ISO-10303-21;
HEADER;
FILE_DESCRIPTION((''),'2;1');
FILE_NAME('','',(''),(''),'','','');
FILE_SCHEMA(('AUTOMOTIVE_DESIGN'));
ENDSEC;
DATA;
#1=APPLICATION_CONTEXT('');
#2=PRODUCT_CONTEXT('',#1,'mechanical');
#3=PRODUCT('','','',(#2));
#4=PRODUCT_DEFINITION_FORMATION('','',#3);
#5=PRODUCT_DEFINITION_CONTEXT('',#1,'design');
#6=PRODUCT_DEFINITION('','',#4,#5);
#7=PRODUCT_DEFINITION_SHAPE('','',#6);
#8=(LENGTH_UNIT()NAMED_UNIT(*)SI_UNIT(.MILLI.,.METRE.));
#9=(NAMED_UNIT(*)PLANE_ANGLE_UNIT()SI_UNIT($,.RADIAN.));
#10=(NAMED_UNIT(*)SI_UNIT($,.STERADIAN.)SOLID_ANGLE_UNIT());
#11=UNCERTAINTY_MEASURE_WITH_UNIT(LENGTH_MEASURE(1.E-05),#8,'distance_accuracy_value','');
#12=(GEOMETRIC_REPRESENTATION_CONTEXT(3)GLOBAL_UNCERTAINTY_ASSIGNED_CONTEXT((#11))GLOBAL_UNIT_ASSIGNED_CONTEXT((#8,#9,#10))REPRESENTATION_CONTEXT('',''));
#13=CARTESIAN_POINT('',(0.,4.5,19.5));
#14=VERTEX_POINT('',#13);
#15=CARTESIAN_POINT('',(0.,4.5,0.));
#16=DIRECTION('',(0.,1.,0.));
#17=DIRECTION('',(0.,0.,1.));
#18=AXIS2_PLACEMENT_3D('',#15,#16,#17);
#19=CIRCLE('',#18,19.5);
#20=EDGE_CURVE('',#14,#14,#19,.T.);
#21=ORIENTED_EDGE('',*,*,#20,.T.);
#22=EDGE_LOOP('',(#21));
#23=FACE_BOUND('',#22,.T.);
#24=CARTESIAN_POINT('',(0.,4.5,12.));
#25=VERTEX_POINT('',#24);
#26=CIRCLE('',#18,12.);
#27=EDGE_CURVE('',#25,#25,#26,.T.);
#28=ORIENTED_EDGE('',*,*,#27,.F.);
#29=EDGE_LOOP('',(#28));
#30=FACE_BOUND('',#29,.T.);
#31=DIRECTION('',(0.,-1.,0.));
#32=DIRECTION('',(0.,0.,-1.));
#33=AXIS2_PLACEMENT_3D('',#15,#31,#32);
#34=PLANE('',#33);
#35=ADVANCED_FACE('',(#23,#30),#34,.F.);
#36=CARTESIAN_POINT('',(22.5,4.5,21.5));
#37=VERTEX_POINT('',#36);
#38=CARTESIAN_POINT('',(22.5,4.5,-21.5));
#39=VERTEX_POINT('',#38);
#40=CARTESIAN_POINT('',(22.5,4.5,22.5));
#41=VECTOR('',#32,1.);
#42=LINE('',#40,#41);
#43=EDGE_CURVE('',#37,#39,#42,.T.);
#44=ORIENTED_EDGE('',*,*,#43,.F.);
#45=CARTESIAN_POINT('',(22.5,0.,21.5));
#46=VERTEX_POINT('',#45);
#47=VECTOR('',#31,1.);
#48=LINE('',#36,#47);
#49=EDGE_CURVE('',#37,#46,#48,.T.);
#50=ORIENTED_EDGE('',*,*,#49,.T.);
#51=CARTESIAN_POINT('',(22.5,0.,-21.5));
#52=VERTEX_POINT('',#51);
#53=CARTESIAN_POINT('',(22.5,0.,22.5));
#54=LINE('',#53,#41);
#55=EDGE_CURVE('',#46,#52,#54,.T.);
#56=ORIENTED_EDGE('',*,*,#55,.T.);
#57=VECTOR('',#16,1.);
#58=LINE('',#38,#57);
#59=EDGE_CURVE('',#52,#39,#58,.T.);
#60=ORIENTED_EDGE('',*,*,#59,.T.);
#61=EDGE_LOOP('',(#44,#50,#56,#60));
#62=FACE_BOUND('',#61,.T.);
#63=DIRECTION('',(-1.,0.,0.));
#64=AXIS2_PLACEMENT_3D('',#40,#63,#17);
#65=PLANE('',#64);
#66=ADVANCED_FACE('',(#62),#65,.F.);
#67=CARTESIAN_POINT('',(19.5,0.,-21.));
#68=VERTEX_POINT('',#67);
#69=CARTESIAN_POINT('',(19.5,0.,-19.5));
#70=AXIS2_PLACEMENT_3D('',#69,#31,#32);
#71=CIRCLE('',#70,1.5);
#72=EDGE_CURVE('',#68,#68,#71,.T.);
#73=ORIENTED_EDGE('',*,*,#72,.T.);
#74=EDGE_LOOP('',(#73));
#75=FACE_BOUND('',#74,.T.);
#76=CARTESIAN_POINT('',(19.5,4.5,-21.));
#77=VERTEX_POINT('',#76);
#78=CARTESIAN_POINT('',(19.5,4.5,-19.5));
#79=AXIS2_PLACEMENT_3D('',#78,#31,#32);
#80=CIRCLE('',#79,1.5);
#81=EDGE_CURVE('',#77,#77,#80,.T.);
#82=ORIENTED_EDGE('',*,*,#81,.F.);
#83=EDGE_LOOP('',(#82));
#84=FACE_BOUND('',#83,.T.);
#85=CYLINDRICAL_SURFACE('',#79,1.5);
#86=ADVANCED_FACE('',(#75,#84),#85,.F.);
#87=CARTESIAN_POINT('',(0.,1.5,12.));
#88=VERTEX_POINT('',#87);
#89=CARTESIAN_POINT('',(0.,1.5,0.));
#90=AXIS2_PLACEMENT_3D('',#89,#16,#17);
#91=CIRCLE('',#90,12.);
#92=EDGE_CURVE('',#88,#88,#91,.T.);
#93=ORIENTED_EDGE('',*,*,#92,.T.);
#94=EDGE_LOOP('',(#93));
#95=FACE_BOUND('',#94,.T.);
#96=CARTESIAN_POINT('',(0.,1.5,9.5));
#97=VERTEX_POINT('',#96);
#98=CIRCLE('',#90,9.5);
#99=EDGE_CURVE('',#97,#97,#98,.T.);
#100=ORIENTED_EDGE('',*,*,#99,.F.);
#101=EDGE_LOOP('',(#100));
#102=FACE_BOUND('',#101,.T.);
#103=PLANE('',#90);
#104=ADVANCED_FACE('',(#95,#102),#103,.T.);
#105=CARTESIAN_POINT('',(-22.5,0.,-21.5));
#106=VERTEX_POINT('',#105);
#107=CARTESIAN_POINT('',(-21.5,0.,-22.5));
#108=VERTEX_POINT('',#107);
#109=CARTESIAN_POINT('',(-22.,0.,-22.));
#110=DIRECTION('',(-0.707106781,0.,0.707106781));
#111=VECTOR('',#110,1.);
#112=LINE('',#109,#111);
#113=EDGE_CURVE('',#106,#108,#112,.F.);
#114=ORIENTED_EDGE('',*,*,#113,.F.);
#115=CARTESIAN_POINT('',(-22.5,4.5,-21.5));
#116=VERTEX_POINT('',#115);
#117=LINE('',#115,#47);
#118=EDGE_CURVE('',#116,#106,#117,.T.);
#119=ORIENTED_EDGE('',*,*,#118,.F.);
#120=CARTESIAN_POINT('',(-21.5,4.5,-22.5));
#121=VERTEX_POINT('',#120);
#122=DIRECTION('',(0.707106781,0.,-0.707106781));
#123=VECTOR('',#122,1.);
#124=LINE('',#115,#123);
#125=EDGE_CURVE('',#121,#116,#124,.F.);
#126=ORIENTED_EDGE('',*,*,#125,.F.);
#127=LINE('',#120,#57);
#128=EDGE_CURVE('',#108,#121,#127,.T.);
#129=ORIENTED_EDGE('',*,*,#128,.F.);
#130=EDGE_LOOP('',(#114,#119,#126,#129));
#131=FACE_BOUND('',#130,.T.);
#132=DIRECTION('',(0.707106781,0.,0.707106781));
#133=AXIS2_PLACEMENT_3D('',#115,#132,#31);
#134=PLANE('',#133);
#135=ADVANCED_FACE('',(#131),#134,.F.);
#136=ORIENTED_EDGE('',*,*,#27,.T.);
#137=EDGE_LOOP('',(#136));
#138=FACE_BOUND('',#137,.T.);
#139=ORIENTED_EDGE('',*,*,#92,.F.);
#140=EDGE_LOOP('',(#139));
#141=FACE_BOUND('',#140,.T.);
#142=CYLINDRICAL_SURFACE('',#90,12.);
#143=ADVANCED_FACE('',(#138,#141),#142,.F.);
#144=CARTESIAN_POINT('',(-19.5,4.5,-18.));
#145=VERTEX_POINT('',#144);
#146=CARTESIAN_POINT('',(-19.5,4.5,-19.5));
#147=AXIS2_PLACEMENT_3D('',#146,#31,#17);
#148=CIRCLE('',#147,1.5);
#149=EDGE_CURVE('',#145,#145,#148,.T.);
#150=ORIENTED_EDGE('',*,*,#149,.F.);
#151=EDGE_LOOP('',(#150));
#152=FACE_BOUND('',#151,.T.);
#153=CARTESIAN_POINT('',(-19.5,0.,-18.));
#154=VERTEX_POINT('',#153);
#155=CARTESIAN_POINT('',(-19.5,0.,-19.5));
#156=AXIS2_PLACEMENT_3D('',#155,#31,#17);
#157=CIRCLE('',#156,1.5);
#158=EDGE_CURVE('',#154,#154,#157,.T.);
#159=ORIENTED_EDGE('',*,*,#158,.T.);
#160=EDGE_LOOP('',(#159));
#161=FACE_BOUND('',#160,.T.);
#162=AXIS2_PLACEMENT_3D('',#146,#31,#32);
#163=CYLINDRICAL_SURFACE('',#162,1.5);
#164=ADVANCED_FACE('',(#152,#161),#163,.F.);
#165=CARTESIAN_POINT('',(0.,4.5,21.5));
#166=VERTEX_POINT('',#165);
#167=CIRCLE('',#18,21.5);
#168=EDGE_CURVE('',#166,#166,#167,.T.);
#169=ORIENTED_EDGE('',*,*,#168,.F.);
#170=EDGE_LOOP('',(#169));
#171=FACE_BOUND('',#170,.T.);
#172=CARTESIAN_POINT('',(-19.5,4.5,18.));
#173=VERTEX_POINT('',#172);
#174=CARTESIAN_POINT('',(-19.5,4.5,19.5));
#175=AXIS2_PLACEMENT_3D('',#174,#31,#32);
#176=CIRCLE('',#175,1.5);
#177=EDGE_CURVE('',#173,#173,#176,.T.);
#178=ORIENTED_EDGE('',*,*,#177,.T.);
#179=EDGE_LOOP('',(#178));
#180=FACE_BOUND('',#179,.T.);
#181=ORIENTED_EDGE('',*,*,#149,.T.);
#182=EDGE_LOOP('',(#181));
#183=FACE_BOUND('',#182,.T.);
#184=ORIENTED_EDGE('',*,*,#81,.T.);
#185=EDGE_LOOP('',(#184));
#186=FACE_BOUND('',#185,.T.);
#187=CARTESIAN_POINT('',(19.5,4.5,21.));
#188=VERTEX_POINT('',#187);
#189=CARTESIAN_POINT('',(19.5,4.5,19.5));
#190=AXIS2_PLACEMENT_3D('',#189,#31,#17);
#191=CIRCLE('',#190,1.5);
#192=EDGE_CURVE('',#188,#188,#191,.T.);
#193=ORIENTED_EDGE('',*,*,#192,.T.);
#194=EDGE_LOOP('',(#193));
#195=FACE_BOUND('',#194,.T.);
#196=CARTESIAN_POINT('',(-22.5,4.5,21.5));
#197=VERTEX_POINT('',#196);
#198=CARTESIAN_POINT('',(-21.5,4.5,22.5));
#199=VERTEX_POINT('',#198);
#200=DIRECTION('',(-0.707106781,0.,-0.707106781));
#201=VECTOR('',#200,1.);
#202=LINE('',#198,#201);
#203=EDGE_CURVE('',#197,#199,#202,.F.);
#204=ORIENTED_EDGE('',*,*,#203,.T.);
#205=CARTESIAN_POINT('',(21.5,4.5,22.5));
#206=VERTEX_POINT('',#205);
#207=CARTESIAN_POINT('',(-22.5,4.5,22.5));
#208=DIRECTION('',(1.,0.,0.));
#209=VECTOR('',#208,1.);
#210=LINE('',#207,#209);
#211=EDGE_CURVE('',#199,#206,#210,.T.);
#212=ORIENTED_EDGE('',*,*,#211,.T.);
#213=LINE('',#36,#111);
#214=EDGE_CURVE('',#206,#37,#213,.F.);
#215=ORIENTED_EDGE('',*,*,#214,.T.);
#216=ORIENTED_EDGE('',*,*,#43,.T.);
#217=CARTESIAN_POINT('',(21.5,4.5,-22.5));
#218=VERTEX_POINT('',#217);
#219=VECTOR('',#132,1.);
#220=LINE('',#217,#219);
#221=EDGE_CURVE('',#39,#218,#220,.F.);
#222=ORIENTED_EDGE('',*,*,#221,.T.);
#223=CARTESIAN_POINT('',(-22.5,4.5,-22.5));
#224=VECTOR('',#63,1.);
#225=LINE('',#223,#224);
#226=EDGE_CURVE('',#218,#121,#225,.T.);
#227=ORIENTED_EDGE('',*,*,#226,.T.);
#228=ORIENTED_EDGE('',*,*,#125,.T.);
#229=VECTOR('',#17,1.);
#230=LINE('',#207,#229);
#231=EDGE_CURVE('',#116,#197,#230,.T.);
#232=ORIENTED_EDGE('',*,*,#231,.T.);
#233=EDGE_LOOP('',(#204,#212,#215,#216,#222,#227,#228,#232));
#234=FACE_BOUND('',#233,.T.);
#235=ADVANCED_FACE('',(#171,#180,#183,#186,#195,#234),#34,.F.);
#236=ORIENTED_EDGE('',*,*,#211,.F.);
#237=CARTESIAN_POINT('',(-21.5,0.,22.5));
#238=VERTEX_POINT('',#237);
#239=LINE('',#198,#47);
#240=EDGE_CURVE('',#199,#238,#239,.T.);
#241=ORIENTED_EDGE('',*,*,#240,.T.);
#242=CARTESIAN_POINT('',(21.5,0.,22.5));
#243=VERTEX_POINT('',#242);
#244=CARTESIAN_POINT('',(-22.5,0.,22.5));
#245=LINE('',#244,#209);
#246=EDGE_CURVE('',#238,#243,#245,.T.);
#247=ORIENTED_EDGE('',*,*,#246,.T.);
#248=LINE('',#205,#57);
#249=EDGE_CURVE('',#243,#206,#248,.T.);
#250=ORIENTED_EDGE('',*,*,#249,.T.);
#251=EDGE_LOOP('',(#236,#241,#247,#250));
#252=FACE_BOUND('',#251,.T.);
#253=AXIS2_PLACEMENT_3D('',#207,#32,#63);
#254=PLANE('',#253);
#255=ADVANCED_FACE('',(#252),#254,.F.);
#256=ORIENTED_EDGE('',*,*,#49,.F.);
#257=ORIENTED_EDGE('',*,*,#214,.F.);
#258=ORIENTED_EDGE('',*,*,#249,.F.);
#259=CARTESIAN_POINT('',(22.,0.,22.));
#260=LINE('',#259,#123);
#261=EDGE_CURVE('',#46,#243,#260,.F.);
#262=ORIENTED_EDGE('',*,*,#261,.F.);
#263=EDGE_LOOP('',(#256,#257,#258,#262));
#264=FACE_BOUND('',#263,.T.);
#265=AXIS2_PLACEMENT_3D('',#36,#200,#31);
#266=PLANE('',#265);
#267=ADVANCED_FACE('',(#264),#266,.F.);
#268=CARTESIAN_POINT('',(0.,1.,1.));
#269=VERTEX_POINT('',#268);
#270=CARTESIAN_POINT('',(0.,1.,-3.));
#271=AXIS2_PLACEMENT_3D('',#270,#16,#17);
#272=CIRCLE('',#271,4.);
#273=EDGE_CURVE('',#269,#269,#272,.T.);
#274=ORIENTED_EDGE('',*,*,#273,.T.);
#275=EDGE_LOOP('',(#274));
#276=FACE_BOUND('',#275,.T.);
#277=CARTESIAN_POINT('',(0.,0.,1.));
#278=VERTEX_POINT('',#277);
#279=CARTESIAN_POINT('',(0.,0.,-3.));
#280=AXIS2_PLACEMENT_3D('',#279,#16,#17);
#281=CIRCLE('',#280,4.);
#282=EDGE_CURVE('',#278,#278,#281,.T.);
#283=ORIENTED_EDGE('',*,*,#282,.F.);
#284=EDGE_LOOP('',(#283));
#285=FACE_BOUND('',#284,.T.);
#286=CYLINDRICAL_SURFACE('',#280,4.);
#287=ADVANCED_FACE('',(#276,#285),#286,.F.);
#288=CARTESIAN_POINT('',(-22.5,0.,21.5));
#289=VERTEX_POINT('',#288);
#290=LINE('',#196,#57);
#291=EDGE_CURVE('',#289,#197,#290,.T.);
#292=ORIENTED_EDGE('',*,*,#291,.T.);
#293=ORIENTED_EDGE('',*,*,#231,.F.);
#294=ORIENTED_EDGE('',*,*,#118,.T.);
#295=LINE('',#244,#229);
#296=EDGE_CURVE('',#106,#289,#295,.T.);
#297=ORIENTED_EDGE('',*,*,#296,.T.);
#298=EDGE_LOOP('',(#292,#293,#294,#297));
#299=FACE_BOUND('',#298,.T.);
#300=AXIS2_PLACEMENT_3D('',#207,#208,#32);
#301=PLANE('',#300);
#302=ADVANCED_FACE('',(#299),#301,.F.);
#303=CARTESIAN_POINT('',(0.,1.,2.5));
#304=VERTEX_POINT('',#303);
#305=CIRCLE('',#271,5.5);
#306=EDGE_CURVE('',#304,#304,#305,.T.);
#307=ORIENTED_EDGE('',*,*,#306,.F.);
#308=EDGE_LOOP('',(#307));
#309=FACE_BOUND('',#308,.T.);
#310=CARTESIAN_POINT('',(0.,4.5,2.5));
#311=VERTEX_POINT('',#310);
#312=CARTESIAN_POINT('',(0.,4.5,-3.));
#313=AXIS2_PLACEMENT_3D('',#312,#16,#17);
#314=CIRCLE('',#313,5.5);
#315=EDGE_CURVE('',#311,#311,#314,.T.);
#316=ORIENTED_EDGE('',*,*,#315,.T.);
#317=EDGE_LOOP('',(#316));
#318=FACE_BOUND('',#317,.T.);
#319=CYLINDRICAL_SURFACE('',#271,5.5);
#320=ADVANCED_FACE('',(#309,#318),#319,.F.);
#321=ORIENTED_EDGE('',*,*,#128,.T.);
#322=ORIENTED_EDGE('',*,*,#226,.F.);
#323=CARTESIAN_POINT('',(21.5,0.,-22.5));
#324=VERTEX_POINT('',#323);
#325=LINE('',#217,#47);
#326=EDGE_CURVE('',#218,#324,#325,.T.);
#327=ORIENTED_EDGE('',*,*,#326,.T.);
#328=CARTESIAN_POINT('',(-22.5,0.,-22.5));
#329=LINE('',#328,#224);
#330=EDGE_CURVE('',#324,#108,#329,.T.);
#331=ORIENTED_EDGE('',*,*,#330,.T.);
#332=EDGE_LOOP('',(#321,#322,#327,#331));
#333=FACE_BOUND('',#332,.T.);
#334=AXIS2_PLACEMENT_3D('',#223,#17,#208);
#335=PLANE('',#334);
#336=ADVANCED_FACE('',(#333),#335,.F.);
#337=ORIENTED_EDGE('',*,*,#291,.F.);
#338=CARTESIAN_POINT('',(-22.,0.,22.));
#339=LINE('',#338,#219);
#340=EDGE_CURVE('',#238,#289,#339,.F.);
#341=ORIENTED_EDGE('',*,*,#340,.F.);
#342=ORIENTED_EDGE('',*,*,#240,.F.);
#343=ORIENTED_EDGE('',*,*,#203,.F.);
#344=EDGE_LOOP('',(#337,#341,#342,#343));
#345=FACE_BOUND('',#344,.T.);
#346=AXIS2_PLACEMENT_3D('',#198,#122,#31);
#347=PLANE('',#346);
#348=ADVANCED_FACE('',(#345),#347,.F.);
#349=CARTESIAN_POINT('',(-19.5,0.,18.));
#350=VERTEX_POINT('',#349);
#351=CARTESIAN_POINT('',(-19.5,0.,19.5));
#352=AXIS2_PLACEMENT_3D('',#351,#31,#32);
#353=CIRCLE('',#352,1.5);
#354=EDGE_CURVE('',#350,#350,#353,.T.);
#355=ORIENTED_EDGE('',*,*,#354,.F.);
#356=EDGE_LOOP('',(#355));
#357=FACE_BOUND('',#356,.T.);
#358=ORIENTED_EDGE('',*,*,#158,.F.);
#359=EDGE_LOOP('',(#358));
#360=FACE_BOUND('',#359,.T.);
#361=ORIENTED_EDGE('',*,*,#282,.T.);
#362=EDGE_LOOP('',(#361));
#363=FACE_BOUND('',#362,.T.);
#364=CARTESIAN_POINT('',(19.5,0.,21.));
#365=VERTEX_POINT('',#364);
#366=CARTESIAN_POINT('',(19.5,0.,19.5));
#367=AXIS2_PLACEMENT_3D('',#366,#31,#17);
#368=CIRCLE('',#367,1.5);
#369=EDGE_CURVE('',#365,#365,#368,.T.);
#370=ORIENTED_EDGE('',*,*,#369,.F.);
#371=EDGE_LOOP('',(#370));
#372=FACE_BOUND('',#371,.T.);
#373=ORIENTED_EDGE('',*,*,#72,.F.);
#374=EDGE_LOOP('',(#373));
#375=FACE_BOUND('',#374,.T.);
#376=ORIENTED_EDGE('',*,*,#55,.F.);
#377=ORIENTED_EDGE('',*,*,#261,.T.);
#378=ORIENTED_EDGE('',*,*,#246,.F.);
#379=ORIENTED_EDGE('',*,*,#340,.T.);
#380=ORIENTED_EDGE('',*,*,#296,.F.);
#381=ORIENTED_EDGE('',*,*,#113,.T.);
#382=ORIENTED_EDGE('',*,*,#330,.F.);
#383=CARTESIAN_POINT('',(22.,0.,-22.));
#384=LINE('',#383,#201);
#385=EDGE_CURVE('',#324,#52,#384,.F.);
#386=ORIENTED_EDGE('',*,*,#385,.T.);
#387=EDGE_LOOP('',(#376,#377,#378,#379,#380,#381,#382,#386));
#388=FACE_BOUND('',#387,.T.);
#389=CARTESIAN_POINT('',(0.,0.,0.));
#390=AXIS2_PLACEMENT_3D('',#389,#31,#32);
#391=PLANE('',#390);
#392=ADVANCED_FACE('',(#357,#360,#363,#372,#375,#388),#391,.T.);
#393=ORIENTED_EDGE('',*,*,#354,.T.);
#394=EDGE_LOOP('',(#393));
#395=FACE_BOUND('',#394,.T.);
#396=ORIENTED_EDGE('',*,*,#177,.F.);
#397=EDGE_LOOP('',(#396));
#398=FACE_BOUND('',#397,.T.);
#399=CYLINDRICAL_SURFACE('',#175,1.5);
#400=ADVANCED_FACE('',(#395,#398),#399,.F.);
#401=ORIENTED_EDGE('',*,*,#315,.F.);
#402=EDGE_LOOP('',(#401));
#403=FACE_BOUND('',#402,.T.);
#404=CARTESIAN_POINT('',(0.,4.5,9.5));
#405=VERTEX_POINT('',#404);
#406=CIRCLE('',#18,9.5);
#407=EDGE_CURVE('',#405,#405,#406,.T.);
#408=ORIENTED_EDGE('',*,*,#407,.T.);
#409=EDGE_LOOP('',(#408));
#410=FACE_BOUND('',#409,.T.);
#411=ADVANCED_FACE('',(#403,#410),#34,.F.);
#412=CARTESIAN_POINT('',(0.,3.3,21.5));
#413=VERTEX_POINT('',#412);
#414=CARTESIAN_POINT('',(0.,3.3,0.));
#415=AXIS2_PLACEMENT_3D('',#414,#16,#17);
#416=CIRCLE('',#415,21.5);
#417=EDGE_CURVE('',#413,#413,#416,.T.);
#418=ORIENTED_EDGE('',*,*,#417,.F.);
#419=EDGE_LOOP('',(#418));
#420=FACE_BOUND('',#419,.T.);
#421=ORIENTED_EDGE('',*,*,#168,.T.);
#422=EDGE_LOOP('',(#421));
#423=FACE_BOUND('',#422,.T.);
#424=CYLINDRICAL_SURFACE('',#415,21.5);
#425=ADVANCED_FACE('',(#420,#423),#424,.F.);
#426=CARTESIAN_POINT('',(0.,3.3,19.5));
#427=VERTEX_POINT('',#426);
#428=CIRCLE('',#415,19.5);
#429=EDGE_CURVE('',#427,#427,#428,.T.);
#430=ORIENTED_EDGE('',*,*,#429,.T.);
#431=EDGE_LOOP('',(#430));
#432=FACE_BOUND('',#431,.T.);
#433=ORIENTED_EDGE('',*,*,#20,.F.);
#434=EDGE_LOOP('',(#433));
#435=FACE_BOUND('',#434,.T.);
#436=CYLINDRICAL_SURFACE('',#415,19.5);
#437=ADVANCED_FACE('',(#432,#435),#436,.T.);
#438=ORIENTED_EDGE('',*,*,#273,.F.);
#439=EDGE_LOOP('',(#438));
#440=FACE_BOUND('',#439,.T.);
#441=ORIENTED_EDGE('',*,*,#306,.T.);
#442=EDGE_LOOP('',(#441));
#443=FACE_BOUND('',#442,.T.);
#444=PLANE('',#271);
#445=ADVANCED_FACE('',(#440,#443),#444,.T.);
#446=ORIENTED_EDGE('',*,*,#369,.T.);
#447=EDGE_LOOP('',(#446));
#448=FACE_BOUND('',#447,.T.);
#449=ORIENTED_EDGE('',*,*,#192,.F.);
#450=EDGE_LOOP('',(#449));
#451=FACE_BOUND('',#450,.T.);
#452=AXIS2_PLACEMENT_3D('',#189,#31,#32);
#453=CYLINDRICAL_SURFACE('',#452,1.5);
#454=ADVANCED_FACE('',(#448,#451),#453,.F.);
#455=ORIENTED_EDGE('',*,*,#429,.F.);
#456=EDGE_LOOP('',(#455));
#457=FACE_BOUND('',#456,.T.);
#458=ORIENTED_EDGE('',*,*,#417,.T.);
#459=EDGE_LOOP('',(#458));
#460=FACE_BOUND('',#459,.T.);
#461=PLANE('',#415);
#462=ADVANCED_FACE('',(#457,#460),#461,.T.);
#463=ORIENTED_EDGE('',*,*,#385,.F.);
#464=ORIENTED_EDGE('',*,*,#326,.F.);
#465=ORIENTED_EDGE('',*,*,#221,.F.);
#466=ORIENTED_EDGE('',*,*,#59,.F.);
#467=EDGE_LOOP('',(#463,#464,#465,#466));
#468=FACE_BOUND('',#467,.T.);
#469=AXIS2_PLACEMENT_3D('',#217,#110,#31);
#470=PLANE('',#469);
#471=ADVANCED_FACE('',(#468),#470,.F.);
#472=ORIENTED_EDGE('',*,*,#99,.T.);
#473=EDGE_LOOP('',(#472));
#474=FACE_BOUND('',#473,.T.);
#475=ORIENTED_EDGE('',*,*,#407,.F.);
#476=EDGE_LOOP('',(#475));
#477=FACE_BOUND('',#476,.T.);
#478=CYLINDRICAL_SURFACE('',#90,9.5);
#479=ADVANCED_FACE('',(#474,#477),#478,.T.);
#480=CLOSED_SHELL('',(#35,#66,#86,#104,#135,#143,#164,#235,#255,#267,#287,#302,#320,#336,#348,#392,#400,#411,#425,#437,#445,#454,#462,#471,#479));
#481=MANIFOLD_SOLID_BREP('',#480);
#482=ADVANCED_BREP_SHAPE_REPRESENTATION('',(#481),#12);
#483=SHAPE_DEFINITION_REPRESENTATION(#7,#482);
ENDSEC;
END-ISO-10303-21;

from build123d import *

# Parameters (mm, degrees)
SKETCH_1_W          = 45
SKETCH_1_H          = 45
EXTRUDE_1_DEPTH     = 4.5
SKETCH_2_R          = 5.5
CUT_EXTRUDE_1_DEPTH = 3.5
SKETCH_3_R          = 4
CUT_EXTRUDE_2_DEPTH = 33.011716605
SKETCH_4_R          = 12
SKETCH_4_R_2        = 9.5
CUT_EXTRUDE_3_DEPTH = 3
SKETCH_5_R          = 21.5
SKETCH_5_R_2        = 19.5
CUT_EXTRUDE_4_DEPTH = 1.2
CHAMFER_1_SIZE      = 1
SKETCH_6_R          = 1.5
CUT_EXTRUDE_5_DEPTH = 33.136427928


with BuildPart() as part:
    # 草图1 → 凸台-拉伸1 (new body)
    with BuildSketch(Plane(origin=(0, 0, 0), x_dir=(1, 0, 0), z_dir=(0, 1, 0))):
        Rectangle(SKETCH_1_W, SKETCH_1_H)
    extrude(amount=EXTRUDE_1_DEPTH)

    # 草图2 → 切除-拉伸1 (cut)
    with BuildSketch(Plane(origin=(0, 4.5, 0), x_dir=(1, 0, 0), z_dir=(0, 1, 0))):
        with Locations(Location((0, 3, 0), (0, 0, 270))):
            Circle(SKETCH_2_R)
    extrude(amount=-CUT_EXTRUDE_1_DEPTH, mode=Mode.SUBTRACT)

    # 草图3 → 切除-拉伸2 (cut, through all)
    with BuildSketch(Plane(origin=(0, 1, 0), x_dir=(1, 0, 0), z_dir=(0, 1, 0))):
        with Locations(Location((0, 3, 0), (0, 0, 270))):
            Circle(SKETCH_3_R)
    extrude(amount=-CUT_EXTRUDE_2_DEPTH, mode=Mode.SUBTRACT)

    # 草图4 → 切除-拉伸3 (cut)
    with BuildSketch(Plane(origin=(0, 4.5, 0), x_dir=(1, 0, 0), z_dir=(0, 1, 0))):
        with Locations(Location((0, 0, 0), (0, 0, 270))):
            Circle(SKETCH_4_R)
        with Locations(Location((0, 0, 0), (0, 0, 270))):
            Circle(SKETCH_4_R_2, mode=Mode.SUBTRACT)
    extrude(amount=-CUT_EXTRUDE_3_DEPTH, mode=Mode.SUBTRACT)

    # 草图5 → 切除-拉伸4 (cut)
    with BuildSketch(Plane(origin=(0, 4.5, 0), x_dir=(1, 0, 0), z_dir=(0, 1, 0))):
        with Locations(Location((0, 0, 0), (0, 0, 270))):
            Circle(SKETCH_5_R)
        with Locations(Location((0, 0, 0), (0, 0, 270))):
            Circle(SKETCH_5_R_2, mode=Mode.SUBTRACT)
    extrude(amount=-CUT_EXTRUDE_4_DEPTH, mode=Mode.SUBTRACT)

    # 倒角1
    chamfer_1_edges = [part.edges().sort_by_distance(p)[0] for p in [
        (22.5, 2.25, 22.5),
        (-22.5, 2.25, 22.5),
        (-22.5, 2.25, -22.5),
        (22.5, 2.25, -22.5),
    ]]
    chamfer(chamfer_1_edges, length=CHAMFER_1_SIZE)

    # 草图6 → 切除-拉伸5 (cut, through all)
    with BuildSketch(Plane.XZ):
        with Locations(Location((-19.5, 19.5, 0), (0, 0, 270))):
            Circle(SKETCH_6_R)
        with Locations(Location((19.5, 19.5, 0), (0, 0, 90))):
            Circle(SKETCH_6_R)
        with Locations(Location((19.5, -19.5, 0), (0, 0, 270))):
            Circle(SKETCH_6_R)
        with Locations(Location((-19.5, -19.5, 0), (0, 0, 90))):
            Circle(SKETCH_6_R)
    extrude(amount=-CUT_EXTRUDE_5_DEPTH, mode=Mode.SUBTRACT)


solid = part.part
